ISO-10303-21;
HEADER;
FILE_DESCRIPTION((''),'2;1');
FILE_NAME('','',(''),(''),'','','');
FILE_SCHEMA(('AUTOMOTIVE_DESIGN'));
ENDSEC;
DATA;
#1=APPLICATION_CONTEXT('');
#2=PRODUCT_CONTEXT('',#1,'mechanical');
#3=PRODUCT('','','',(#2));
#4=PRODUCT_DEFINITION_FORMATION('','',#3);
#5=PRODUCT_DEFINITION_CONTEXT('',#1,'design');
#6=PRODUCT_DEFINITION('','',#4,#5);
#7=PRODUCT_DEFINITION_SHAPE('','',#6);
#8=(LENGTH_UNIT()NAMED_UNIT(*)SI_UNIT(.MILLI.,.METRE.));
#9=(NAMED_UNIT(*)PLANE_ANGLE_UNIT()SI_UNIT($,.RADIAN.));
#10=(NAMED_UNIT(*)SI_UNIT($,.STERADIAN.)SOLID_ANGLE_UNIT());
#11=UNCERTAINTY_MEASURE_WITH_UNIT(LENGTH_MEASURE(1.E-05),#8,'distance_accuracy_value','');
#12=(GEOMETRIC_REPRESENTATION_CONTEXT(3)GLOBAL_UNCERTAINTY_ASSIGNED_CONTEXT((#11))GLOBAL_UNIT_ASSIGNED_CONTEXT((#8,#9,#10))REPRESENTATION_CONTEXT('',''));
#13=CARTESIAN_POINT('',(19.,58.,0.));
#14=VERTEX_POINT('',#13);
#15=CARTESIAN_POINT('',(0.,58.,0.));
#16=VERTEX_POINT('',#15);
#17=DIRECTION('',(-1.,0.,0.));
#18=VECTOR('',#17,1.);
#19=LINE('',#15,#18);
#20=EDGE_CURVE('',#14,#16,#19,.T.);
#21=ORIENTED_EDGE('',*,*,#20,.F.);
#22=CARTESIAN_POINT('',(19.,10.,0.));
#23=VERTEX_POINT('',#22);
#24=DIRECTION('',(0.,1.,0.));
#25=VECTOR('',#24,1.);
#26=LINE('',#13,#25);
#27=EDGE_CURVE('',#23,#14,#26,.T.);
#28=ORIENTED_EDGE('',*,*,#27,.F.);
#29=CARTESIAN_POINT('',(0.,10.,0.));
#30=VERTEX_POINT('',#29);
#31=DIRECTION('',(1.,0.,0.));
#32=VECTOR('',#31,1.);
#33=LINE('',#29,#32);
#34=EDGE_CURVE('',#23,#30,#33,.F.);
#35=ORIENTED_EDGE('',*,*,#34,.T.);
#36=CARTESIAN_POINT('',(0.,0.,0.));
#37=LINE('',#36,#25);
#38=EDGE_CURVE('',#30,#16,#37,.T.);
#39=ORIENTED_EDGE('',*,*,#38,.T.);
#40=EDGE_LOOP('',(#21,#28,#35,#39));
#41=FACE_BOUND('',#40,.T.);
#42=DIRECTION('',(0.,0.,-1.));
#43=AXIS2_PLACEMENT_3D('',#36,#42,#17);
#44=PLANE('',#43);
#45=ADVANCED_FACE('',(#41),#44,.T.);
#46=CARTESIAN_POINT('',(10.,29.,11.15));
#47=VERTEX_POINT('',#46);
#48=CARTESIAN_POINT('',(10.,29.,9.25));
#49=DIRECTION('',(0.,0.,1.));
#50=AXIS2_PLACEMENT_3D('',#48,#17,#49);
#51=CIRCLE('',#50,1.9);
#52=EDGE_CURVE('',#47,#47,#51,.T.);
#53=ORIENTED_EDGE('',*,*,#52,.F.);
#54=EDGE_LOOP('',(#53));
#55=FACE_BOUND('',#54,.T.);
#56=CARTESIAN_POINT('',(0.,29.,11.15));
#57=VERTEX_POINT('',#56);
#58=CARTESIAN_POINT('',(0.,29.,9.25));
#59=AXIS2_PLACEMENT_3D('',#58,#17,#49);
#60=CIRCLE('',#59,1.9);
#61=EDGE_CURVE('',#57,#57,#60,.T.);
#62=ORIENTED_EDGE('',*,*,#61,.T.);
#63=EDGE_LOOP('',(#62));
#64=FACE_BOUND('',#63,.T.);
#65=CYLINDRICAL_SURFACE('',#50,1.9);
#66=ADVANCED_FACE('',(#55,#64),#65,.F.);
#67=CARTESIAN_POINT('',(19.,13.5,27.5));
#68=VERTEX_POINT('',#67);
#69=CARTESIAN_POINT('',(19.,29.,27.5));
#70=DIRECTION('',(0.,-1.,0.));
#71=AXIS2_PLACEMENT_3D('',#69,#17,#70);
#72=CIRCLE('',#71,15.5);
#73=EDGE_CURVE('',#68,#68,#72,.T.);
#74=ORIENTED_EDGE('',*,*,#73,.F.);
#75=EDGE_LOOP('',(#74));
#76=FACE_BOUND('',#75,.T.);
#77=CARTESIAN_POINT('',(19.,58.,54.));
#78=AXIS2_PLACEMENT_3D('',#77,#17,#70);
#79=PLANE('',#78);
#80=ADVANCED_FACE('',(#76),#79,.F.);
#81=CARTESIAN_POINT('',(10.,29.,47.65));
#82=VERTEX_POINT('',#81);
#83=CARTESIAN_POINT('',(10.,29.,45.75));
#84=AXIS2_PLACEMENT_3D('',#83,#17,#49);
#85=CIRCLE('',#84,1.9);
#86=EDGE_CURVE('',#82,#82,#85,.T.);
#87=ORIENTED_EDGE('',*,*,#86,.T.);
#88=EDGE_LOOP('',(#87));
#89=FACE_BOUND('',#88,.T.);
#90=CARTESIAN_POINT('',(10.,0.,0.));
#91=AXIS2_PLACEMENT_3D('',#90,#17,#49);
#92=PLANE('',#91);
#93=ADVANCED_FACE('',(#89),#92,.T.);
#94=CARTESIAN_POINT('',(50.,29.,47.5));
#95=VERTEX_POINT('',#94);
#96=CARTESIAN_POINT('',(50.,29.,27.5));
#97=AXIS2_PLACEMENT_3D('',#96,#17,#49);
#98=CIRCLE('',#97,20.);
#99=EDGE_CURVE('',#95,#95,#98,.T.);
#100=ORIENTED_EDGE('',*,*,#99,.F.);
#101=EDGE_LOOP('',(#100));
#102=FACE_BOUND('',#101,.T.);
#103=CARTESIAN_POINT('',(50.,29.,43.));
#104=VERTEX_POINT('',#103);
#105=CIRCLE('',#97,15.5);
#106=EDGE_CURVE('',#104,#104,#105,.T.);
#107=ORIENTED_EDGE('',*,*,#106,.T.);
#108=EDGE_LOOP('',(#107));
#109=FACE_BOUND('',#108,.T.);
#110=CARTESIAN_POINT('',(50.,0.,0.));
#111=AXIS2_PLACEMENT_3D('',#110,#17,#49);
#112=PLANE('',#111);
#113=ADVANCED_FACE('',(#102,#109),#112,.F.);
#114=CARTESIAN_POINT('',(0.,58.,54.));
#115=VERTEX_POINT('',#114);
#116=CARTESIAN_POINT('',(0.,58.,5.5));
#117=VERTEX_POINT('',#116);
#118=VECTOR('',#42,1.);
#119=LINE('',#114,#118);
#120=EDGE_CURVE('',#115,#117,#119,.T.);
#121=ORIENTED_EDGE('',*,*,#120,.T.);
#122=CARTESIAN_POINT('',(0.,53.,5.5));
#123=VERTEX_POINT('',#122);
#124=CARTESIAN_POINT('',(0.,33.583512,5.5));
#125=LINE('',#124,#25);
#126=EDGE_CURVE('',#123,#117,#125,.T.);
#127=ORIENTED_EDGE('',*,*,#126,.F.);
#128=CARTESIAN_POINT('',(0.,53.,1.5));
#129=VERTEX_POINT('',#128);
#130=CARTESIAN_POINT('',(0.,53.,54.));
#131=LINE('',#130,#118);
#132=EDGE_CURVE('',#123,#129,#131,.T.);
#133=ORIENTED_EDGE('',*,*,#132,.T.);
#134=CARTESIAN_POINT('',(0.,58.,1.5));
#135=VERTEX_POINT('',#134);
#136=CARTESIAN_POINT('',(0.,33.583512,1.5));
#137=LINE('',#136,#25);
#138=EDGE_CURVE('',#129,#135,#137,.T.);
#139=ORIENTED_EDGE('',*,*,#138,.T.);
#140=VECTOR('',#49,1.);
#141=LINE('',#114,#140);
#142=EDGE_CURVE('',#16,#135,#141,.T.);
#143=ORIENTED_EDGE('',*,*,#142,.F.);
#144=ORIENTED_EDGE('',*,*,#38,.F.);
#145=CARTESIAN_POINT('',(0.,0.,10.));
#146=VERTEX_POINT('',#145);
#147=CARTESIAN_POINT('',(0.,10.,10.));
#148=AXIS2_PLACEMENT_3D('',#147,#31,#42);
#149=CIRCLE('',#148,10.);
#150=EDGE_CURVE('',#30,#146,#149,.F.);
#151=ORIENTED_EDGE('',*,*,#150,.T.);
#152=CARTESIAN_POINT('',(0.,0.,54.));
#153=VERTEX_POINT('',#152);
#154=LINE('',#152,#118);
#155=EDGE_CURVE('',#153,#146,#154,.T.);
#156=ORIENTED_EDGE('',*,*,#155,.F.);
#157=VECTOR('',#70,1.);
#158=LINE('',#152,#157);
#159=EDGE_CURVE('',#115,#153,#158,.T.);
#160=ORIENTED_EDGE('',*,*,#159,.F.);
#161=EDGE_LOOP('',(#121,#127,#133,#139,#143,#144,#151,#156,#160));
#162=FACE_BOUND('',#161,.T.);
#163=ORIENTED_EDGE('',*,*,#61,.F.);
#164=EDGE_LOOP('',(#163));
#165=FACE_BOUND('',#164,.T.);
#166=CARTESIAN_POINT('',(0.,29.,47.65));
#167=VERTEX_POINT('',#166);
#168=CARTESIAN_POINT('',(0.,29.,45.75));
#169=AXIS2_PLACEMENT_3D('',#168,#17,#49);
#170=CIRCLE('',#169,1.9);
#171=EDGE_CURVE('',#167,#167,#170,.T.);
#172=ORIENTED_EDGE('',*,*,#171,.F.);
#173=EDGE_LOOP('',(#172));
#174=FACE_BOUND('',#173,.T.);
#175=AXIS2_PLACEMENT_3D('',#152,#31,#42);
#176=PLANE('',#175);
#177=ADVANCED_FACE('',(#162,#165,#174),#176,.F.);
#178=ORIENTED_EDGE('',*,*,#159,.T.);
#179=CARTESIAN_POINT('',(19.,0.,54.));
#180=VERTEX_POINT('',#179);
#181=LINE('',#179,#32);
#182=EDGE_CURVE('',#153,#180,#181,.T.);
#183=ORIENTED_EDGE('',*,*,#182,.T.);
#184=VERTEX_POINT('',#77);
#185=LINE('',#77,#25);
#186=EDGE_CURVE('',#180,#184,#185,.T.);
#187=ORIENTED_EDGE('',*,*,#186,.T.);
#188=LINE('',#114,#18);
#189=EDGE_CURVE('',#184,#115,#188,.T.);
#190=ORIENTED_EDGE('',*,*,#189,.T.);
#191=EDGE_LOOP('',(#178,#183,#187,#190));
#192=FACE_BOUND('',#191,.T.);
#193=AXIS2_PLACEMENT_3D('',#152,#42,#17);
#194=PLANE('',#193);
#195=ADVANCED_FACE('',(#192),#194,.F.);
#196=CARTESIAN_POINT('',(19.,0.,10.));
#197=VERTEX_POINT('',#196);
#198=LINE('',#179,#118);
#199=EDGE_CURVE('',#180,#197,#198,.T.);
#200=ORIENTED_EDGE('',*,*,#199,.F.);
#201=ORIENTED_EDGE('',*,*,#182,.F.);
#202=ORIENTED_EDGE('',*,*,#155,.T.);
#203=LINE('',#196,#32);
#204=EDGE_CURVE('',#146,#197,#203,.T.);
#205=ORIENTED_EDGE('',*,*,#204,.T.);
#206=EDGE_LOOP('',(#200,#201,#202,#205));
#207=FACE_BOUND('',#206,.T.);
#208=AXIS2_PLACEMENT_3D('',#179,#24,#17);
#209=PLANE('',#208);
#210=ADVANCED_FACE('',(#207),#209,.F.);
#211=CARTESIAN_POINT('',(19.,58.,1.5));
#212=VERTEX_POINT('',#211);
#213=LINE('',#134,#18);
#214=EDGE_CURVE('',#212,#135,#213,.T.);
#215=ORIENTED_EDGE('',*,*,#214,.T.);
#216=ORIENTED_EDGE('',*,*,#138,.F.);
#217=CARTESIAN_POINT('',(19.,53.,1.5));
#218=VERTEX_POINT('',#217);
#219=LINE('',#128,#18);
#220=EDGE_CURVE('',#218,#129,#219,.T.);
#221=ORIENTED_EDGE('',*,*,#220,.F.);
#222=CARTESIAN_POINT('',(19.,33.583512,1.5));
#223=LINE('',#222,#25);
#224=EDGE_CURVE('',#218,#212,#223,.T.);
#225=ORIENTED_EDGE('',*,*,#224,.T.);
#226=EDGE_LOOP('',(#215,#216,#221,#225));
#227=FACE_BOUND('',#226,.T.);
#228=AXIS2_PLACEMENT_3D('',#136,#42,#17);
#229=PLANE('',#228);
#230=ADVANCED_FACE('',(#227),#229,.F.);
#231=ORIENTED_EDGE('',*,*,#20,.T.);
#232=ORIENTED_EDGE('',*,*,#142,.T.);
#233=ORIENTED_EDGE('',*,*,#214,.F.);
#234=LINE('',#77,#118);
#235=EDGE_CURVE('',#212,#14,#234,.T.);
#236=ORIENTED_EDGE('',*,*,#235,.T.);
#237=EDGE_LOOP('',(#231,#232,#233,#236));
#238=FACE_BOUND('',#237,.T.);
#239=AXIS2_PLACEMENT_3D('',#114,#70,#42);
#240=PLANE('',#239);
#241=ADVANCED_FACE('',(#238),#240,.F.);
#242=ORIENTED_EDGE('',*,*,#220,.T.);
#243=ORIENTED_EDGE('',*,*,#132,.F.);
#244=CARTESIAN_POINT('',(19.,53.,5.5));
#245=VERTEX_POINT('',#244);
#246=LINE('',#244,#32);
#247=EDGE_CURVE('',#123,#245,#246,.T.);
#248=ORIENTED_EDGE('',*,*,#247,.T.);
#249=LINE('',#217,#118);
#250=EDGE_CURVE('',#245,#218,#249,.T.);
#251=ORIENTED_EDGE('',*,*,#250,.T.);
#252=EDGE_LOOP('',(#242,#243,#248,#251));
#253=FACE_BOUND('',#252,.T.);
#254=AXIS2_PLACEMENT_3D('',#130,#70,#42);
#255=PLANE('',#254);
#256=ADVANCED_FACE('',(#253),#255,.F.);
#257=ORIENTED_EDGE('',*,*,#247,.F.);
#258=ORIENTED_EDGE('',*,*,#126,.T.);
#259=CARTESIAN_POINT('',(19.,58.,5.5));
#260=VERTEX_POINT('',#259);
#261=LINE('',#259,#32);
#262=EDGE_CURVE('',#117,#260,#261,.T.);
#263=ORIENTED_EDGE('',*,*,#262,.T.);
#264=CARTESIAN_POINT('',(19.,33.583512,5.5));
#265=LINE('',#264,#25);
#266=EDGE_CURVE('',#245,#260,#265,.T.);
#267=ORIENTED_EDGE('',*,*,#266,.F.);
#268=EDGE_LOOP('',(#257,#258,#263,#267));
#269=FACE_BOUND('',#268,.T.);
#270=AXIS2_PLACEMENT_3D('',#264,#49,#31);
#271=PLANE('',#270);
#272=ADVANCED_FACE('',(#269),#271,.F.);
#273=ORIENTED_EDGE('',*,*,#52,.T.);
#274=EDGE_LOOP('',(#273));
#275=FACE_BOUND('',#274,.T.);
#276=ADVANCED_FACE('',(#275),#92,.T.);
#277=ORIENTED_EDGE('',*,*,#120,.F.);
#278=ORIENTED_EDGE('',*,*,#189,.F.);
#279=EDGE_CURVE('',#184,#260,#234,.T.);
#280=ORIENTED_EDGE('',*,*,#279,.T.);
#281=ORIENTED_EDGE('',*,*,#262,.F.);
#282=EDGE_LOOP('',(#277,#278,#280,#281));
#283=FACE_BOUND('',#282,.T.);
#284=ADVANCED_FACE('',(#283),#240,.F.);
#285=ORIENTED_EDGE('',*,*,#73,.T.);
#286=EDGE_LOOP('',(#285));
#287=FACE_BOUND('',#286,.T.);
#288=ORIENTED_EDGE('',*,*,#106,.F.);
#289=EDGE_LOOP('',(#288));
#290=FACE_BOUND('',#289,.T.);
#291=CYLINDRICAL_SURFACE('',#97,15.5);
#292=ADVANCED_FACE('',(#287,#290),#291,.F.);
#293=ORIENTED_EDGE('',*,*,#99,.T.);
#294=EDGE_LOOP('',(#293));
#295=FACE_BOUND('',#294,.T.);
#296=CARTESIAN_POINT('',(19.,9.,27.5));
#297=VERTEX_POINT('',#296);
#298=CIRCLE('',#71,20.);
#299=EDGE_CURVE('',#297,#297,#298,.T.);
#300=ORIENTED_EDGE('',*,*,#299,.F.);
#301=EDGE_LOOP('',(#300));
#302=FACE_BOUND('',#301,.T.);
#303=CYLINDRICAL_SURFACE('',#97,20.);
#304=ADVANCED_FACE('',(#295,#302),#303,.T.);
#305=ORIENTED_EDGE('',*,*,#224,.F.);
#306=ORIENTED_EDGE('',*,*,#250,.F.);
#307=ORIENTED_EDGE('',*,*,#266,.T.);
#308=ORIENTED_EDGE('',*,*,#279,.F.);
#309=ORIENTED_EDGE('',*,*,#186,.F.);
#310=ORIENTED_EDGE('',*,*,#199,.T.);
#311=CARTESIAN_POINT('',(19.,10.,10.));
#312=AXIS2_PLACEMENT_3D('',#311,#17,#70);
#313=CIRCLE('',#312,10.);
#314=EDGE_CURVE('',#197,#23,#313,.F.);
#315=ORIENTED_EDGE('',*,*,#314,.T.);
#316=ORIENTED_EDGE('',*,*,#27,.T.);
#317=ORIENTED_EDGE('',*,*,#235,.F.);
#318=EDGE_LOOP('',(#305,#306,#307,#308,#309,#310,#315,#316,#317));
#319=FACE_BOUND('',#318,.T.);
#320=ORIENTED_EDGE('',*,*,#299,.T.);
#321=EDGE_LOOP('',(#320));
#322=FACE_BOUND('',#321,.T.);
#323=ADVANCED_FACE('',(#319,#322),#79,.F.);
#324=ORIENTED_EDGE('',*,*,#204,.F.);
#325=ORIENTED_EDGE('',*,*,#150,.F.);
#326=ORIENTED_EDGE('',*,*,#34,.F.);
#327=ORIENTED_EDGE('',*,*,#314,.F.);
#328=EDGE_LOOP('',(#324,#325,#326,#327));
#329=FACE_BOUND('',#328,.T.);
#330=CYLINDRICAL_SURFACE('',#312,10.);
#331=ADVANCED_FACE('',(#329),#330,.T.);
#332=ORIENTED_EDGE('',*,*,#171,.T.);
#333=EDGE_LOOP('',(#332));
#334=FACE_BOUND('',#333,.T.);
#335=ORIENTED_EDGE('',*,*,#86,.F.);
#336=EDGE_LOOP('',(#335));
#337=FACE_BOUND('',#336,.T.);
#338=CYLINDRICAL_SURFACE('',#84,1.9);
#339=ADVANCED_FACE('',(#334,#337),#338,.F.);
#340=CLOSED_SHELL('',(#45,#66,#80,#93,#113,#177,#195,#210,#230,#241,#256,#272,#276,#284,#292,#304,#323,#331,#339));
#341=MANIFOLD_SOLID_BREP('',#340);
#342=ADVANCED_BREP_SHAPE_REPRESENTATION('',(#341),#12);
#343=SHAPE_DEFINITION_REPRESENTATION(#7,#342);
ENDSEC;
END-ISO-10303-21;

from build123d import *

# Parameters (mm, degrees)
SKETCH1_W           = 19
SKETCH1_H           = 58
BOSS_EXTRUDE1_DEPTH = 54
SKETCH2_3_R         = 20
SKETCH2_3_R_2       = 15.5
BOSS_EXTRUDE2_DEPTH = 50
SKETCH2_R           = 1.9
CUT_EXTRUDE1_DEPTH  = 10
FILLET1_R           = 10
BOSS_EXTRUDE3_DEPTH = 50
SKETCH4_R           = 1.25
CUT_EXTRUDE2_DEPTH  = 55
SKETCH5_W           = 17
SKETCH5_H           = 14
CUT_EXTRUDE3_DEPTH  = 2
SKETCH6_W           = 19
SKETCH6_H           = 4
CUT_EXTRUDE4_DEPTH  = 5
SKETCH7_W           = 17
SKETCH7_H           = 14
CUT_EXTRUDE5_DEPTH  = 53


with BuildPart() as part:
    # Sketch1 → Boss-Extrude1 (new body)
    with BuildSketch(Plane.XY):
        with Locations((9.5, 29)):
            Rectangle(SKETCH1_W, SKETCH1_H)
    extrude(amount=BOSS_EXTRUDE1_DEPTH)

    # Sketch2<3> → Boss-Extrude2 (add)
    with BuildSketch(Plane.ZY):
        with Locations((27.5, 29)):
            Circle(SKETCH2_3_R)
        with Locations((27.5, 29)):
            Circle(SKETCH2_3_R_2, mode=Mode.SUBTRACT)
    extrude(amount=-BOSS_EXTRUDE2_DEPTH)

    # Sketch2 → Cut-Extrude1 (cut)
    with BuildSketch(Plane.ZY):
        with Locations((9.25, 29)):
            Circle(SKETCH2_R)
        with Locations((45.75, 29)):
            Circle(SKETCH2_R)
    extrude(amount=-CUT_EXTRUDE1_DEPTH, mode=Mode.SUBTRACT)

    # Fillet1
    fillet1_edges = [part.edges().sort_by_distance(p)[0] for p in [
        (9.5, 0, 0),
    ]]
    fillet(fillet1_edges, radius=FILLET1_R)

    # Sketch3 → Boss-Extrude3 (add)
    with BuildSketch(Plane(origin=(0, 0, 0), x_dir=(0, 0, -1), z_dir=(1, 0, 0))):
        Polygon((0, 0), (0, 57), (0, 67), (-5, 67), (-5, 0), align=None)
    extrude(amount=-BOSS_EXTRUDE3_DEPTH)

    # Sketch4 → Cut-Extrude2 (cut, through all)
    with BuildSketch(Plane(origin=(0, 0, 0), x_dir=(-1, 0, 0), z_dir=(0, 0, -1))):
        with Locations((14, 57)):
            Circle(SKETCH4_R)
        Polygon((0, 53), (0, 0), (50, 0), (50, 67), (17, 67), (17, 53), align=None)
        with Locations((14, 63.5)):
            Circle(SKETCH4_R)
    extrude(amount=-CUT_EXTRUDE2_DEPTH, mode=Mode.SUBTRACT)

    # Sketch5 → Cut-Extrude3 (cut)
    with BuildSketch(Plane(origin=(0, 0, 0), x_dir=(-1, 0, 0), z_dir=(0, 0, -1))):
        with Locations((8.5, 60)):
            Rectangle(SKETCH5_W, SKETCH5_H)
    extrude(amount=-CUT_EXTRUDE3_DEPTH, mode=Mode.SUBTRACT)

    # Sketch6 → Cut-Extrude4 (cut)
    with BuildSketch(Plane(origin=(0, 58, 0), x_dir=(1, 0, 0), z_dir=(0, 1, 0))):
        with Locations((9.5, -3.5)):
            Rectangle(SKETCH6_W, SKETCH6_H)
    extrude(amount=-CUT_EXTRUDE4_DEPTH, mode=Mode.SUBTRACT)

    # Sketch7 → Cut-Extrude5 (cut, through all)
    with BuildSketch(Plane(origin=(0, 0, 2), x_dir=(-1, 0, 0), z_dir=(0, 0, -1))):
        with Locations((8.5, 60)):
            Rectangle(SKETCH7_W, SKETCH7_H)
    extrude(amount=-CUT_EXTRUDE5_DEPTH, mode=Mode.SUBTRACT)


solid = part.part
